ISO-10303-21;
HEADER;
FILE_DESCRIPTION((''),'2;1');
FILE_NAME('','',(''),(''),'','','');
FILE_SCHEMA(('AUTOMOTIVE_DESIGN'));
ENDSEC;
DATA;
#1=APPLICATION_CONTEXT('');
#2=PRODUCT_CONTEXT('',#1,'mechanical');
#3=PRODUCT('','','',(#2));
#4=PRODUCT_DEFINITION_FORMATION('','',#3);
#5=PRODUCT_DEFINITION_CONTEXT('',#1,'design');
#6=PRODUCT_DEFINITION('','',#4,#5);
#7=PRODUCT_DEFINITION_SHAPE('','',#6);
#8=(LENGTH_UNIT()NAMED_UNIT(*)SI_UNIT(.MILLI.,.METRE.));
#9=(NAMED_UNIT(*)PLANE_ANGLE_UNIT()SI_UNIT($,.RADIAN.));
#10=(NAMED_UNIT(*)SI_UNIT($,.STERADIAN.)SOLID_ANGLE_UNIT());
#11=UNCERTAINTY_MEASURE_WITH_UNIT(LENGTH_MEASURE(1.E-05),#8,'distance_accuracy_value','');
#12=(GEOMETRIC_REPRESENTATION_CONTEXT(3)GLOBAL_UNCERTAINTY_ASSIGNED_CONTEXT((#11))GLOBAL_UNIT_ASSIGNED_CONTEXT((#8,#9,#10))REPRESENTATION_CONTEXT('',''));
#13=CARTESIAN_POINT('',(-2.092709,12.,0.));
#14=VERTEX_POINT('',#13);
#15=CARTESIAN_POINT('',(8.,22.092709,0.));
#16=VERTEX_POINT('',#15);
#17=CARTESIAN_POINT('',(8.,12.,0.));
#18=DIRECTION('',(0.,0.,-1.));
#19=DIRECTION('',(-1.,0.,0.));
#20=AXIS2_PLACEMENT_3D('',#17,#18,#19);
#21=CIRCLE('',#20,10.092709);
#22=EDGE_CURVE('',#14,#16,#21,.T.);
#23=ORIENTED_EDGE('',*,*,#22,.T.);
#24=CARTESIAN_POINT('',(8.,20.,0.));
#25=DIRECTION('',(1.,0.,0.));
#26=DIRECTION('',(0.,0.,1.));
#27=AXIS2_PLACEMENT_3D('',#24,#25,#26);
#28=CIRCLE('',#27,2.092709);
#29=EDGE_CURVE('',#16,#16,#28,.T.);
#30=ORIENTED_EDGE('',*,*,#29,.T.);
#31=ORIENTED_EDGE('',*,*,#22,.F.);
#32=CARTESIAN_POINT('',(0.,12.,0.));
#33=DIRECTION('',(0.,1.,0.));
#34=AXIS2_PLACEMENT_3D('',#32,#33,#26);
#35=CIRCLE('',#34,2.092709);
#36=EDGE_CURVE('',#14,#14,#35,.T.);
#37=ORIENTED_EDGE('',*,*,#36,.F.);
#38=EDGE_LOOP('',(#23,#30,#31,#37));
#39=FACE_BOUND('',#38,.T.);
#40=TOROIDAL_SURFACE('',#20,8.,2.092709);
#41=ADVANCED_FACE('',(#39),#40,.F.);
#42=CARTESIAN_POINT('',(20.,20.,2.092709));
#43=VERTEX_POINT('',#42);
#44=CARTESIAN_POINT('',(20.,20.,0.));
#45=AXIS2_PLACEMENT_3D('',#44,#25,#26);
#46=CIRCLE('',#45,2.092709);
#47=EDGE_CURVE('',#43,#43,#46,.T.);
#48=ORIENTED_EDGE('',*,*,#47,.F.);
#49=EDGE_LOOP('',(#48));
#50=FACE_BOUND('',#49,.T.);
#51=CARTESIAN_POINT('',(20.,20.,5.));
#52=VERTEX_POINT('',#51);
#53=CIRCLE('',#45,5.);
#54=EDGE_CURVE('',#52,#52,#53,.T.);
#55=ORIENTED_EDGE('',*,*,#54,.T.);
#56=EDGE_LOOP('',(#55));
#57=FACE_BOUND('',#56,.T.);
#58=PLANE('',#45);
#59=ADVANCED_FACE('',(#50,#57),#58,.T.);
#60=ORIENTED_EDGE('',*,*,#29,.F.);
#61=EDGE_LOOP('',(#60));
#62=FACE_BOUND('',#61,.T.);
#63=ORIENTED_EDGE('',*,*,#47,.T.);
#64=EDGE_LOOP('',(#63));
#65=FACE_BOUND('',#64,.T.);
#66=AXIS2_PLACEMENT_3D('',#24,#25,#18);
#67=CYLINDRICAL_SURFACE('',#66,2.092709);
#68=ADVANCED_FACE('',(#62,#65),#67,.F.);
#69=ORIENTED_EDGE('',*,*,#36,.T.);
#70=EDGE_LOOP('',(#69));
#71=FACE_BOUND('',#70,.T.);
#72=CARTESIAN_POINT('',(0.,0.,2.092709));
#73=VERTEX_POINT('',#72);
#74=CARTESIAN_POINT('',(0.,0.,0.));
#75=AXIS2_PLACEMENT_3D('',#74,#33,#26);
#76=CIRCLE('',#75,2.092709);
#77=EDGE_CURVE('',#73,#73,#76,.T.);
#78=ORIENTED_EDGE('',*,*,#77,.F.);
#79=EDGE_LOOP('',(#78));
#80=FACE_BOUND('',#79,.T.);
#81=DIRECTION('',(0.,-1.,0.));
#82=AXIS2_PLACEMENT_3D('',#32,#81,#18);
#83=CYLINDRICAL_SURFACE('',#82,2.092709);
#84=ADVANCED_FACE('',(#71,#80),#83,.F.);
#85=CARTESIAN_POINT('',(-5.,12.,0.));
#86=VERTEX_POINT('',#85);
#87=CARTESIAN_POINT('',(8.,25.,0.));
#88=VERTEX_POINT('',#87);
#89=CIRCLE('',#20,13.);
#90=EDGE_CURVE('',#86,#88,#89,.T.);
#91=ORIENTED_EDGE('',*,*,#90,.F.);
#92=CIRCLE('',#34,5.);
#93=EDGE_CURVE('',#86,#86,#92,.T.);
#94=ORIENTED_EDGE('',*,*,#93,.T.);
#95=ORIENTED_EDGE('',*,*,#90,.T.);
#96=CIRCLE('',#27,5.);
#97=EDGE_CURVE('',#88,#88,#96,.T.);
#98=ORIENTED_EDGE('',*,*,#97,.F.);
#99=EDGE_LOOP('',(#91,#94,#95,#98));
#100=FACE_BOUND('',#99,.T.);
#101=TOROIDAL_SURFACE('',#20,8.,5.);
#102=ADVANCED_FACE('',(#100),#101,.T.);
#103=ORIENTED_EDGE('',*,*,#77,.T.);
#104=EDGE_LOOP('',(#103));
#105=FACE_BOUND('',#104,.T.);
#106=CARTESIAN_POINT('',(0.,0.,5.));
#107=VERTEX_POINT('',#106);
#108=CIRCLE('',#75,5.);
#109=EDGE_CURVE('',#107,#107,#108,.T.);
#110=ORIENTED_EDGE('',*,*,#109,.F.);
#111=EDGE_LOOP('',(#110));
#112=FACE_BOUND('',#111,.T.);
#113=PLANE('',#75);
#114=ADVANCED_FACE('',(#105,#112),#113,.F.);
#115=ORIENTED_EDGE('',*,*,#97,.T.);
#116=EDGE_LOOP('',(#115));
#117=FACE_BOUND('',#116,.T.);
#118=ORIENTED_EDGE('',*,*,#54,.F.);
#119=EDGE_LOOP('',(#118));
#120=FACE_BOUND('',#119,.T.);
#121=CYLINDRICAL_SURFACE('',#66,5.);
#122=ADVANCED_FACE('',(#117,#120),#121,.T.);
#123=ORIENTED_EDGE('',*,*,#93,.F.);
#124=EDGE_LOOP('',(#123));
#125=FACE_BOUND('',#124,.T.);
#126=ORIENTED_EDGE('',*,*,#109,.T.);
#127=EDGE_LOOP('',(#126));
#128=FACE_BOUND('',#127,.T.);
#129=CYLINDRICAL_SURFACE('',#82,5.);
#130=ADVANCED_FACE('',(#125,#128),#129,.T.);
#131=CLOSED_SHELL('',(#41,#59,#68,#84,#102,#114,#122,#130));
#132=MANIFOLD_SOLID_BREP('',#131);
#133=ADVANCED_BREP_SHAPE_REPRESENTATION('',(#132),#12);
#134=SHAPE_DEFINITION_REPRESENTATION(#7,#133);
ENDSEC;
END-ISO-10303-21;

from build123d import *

# Parameters (mm, degrees)
SKETCH_2_R   = 5
SKETCH_2_R_2 = 2.092708753


with BuildPart() as part:
    # 扫描1: sweep along a path in 草图1
    with BuildLine(Plane.XY) as sweep_1_path:
        Line((0, 0), (0, 12))
        ThreePointArc((0, 12), (2.343145751, 17.656854249), (8, 20))
        Line((8, 20), (20, 20))
    # 草图2 → 扫描1 (sweep)
    with BuildSketch(Plane(origin=(0, 0, 0), x_dir=(1, 0, 0), z_dir=(0, 1, 0))):
        Circle(SKETCH_2_R)
        Circle(SKETCH_2_R_2, mode=Mode.SUBTRACT)
    sweep(path=sweep_1_path.line)


solid = part.part
